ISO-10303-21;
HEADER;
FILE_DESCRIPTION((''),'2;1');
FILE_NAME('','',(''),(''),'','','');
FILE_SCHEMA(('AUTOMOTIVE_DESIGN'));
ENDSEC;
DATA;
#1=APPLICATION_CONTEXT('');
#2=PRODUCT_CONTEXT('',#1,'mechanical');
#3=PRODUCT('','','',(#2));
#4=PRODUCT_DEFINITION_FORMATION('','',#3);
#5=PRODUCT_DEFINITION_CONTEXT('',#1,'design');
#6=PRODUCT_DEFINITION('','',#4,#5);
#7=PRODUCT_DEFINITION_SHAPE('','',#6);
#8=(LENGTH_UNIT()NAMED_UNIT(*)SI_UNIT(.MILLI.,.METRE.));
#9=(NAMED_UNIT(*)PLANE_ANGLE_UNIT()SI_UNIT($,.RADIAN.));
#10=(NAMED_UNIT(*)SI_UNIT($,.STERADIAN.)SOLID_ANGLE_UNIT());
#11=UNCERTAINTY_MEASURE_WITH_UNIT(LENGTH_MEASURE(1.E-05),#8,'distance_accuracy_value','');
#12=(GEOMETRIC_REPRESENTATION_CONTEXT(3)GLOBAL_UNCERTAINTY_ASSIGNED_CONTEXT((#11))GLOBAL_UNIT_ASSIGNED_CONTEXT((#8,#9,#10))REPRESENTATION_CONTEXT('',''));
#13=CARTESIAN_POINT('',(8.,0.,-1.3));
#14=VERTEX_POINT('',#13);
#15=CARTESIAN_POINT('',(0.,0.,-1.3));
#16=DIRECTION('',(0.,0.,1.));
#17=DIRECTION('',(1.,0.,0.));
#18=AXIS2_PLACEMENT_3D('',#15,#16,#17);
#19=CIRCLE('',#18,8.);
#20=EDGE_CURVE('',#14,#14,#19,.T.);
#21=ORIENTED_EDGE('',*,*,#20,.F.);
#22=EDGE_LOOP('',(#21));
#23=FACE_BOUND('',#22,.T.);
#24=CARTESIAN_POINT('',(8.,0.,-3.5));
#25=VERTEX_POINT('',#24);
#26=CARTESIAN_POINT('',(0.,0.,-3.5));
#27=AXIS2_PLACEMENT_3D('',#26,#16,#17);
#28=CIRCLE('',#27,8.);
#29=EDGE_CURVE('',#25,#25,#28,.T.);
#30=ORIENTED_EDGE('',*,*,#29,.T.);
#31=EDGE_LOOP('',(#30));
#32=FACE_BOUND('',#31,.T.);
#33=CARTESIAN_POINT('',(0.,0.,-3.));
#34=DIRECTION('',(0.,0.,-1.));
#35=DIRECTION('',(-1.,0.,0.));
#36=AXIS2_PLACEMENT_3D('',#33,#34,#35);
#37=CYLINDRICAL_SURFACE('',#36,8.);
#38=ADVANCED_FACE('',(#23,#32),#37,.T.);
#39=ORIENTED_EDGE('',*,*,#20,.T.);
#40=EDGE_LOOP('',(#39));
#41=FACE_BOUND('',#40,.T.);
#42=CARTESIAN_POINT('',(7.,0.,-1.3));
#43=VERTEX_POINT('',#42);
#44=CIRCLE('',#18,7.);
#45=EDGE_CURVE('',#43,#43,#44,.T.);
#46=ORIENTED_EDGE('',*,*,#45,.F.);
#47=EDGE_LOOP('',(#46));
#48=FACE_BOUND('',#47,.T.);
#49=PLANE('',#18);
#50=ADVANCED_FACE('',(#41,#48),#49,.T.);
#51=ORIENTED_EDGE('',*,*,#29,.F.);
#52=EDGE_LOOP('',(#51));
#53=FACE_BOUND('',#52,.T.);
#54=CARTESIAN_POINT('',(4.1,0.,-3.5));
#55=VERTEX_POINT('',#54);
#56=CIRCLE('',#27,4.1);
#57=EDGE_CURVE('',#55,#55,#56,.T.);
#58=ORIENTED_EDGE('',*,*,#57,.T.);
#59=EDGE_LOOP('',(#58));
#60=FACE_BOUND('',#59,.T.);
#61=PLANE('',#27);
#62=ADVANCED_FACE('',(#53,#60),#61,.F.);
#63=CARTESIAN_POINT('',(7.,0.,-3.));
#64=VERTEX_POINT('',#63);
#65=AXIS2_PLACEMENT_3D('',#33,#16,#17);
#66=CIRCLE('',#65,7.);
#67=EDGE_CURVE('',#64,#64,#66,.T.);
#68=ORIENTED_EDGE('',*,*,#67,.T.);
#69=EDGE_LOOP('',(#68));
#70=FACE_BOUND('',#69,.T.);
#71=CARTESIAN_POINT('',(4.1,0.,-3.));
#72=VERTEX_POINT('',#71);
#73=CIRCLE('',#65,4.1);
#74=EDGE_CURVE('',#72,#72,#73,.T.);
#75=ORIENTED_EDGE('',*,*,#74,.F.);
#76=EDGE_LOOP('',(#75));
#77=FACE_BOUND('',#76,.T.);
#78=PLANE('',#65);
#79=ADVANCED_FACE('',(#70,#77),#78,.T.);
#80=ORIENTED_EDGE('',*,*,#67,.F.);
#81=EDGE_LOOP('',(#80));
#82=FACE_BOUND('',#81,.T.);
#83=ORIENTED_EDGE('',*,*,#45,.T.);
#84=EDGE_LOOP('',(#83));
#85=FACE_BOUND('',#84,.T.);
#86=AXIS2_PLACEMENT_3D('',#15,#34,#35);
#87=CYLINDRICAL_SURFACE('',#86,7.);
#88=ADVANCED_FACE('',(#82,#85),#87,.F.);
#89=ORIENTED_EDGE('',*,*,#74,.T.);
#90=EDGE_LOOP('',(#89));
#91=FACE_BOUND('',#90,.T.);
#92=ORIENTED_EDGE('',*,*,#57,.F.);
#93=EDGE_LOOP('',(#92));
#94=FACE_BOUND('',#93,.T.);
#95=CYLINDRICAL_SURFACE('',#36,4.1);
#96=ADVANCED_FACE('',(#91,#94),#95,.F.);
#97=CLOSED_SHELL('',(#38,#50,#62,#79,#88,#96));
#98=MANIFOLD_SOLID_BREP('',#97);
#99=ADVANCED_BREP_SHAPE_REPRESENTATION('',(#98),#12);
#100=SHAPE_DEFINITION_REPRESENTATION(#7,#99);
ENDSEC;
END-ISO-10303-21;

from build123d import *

# Parameters (mm, degrees)
OUTER_FLANGE_CONTACT_ANNULUS_ID8P2_START = -3.5
SKETCH1_R                                = 8
SKETCH1_R_2                              = 4.1
OUTER_FLANGE_CONTACT_ANNULUS_ID8P2_DEPTH = 0.5
M14X0P5_INTERNAL_THREAD_ENVELOPE_START   = -3
SKETCH2_R                                = 8
SKETCH2_R_2                              = 7
M14X0P5_INTERNAL_THREAD_ENVELOPE_DEPTH   = 1.7


with BuildPart() as part:
    # Sketch1 → Outer_Flange_Contact_Annulus_ID8p2 (new body)
    with BuildSketch(Plane.XY.offset(OUTER_FLANGE_CONTACT_ANNULUS_ID8P2_START)):
        Circle(SKETCH1_R)
        Circle(SKETCH1_R_2, mode=Mode.SUBTRACT)
    extrude(amount=OUTER_FLANGE_CONTACT_ANNULUS_ID8P2_DEPTH)

    # Sketch2 → M14x0p5_Internal_Thread_Envelope (add)
    with BuildSketch(Plane.XY.offset(M14X0P5_INTERNAL_THREAD_ENVELOPE_START)):
        Circle(SKETCH2_R)
        Circle(SKETCH2_R_2, mode=Mode.SUBTRACT)
    extrude(amount=M14X0P5_INTERNAL_THREAD_ENVELOPE_DEPTH)


solid = part.part
